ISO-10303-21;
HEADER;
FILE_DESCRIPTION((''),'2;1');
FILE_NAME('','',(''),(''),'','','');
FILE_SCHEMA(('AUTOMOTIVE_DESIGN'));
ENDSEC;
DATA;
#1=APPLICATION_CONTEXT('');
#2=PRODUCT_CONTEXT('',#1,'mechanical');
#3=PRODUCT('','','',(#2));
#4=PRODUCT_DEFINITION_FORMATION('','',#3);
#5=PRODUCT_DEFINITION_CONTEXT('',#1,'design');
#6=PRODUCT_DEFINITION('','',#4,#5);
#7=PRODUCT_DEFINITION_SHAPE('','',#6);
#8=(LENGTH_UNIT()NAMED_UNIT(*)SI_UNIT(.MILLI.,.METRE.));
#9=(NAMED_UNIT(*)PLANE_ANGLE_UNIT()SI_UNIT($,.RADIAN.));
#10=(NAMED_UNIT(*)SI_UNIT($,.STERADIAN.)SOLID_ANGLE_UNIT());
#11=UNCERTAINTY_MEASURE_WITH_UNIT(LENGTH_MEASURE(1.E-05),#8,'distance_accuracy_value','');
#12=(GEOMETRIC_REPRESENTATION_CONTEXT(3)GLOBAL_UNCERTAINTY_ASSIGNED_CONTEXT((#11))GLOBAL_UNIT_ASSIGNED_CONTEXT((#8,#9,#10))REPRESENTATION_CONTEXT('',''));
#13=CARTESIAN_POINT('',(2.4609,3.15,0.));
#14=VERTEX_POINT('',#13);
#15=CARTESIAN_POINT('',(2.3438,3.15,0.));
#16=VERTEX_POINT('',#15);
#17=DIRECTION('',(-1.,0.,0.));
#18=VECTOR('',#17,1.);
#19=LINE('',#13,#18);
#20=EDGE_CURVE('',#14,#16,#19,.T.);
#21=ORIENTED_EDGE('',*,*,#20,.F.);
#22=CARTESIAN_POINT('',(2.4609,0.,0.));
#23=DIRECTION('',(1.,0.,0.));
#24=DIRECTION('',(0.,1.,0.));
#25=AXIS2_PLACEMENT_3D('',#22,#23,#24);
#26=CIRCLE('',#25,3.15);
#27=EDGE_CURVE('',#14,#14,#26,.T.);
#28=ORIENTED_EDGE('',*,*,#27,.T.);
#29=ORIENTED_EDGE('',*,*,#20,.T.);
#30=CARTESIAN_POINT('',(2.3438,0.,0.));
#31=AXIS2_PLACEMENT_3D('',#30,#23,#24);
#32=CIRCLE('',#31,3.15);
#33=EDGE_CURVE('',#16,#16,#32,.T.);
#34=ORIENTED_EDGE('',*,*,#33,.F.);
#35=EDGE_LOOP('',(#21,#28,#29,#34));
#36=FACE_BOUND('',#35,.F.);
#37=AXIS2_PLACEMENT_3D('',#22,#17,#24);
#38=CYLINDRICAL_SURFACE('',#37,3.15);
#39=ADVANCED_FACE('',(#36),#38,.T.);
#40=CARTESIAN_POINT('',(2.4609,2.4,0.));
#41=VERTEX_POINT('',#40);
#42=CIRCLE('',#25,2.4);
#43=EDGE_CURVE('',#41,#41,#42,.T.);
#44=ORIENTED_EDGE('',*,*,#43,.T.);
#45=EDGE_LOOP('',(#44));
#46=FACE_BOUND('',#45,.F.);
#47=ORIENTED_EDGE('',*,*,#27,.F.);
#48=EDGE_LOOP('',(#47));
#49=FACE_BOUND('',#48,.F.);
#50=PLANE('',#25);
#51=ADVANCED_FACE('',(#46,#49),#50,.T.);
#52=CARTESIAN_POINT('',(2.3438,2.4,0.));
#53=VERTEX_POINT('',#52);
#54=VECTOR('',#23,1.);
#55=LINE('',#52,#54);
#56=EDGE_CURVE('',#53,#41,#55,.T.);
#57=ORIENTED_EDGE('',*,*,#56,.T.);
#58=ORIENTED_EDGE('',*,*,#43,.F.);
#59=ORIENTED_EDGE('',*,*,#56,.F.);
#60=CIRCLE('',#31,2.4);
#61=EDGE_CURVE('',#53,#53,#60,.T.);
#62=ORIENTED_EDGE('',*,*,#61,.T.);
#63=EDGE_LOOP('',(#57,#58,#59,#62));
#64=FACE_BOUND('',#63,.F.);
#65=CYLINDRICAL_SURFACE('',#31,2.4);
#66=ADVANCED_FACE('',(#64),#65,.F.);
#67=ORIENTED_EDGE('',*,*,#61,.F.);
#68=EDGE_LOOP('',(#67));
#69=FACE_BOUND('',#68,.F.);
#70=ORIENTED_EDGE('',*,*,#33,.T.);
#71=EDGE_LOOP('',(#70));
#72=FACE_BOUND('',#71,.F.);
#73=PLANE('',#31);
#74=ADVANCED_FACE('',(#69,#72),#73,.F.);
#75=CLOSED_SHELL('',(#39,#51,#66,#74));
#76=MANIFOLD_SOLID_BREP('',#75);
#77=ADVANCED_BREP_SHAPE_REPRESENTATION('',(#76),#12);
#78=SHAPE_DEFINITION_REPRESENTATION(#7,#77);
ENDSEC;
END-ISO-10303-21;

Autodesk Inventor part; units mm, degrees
sketch "Sketch_1" plane through (0, 0, 0) normal (0, 0, 1) x (1, 0, 0)
  line L0 (2.4609, 0) -> (2.3438, 0)
  line L1 (2.3438, 2.4) -> (2.4609, 2.4)
  line L2 (2.4609, 2.4) -> (2.4609, 3.15)
  line L3 (2.4609, 3.15) -> (2.3438, 3.15)
  line L4 (2.3438, 3.15) -> (2.3438, 2.4)
revolve "Revolution1" add sketch "Sketch_1" angle 360 about axis through (2.4609, 0, 0) along (1, 0, 0)
ref_plane "ip_st_1_XY" through (2.3438, 0, 0) normal (1, 0, 0) x (0, 0, -1)
ref_plane "ip_st_1_YZ" through (2.3438, 0, 0) normal (0, 0, -1) x (0, 1, 0)
ref_plane "ip_st_1_ZX" through (2.3438, 0, 0) normal (0, 1, 0) x (1, 0, 0)
properties part number "MF74ZZ Shield2"
